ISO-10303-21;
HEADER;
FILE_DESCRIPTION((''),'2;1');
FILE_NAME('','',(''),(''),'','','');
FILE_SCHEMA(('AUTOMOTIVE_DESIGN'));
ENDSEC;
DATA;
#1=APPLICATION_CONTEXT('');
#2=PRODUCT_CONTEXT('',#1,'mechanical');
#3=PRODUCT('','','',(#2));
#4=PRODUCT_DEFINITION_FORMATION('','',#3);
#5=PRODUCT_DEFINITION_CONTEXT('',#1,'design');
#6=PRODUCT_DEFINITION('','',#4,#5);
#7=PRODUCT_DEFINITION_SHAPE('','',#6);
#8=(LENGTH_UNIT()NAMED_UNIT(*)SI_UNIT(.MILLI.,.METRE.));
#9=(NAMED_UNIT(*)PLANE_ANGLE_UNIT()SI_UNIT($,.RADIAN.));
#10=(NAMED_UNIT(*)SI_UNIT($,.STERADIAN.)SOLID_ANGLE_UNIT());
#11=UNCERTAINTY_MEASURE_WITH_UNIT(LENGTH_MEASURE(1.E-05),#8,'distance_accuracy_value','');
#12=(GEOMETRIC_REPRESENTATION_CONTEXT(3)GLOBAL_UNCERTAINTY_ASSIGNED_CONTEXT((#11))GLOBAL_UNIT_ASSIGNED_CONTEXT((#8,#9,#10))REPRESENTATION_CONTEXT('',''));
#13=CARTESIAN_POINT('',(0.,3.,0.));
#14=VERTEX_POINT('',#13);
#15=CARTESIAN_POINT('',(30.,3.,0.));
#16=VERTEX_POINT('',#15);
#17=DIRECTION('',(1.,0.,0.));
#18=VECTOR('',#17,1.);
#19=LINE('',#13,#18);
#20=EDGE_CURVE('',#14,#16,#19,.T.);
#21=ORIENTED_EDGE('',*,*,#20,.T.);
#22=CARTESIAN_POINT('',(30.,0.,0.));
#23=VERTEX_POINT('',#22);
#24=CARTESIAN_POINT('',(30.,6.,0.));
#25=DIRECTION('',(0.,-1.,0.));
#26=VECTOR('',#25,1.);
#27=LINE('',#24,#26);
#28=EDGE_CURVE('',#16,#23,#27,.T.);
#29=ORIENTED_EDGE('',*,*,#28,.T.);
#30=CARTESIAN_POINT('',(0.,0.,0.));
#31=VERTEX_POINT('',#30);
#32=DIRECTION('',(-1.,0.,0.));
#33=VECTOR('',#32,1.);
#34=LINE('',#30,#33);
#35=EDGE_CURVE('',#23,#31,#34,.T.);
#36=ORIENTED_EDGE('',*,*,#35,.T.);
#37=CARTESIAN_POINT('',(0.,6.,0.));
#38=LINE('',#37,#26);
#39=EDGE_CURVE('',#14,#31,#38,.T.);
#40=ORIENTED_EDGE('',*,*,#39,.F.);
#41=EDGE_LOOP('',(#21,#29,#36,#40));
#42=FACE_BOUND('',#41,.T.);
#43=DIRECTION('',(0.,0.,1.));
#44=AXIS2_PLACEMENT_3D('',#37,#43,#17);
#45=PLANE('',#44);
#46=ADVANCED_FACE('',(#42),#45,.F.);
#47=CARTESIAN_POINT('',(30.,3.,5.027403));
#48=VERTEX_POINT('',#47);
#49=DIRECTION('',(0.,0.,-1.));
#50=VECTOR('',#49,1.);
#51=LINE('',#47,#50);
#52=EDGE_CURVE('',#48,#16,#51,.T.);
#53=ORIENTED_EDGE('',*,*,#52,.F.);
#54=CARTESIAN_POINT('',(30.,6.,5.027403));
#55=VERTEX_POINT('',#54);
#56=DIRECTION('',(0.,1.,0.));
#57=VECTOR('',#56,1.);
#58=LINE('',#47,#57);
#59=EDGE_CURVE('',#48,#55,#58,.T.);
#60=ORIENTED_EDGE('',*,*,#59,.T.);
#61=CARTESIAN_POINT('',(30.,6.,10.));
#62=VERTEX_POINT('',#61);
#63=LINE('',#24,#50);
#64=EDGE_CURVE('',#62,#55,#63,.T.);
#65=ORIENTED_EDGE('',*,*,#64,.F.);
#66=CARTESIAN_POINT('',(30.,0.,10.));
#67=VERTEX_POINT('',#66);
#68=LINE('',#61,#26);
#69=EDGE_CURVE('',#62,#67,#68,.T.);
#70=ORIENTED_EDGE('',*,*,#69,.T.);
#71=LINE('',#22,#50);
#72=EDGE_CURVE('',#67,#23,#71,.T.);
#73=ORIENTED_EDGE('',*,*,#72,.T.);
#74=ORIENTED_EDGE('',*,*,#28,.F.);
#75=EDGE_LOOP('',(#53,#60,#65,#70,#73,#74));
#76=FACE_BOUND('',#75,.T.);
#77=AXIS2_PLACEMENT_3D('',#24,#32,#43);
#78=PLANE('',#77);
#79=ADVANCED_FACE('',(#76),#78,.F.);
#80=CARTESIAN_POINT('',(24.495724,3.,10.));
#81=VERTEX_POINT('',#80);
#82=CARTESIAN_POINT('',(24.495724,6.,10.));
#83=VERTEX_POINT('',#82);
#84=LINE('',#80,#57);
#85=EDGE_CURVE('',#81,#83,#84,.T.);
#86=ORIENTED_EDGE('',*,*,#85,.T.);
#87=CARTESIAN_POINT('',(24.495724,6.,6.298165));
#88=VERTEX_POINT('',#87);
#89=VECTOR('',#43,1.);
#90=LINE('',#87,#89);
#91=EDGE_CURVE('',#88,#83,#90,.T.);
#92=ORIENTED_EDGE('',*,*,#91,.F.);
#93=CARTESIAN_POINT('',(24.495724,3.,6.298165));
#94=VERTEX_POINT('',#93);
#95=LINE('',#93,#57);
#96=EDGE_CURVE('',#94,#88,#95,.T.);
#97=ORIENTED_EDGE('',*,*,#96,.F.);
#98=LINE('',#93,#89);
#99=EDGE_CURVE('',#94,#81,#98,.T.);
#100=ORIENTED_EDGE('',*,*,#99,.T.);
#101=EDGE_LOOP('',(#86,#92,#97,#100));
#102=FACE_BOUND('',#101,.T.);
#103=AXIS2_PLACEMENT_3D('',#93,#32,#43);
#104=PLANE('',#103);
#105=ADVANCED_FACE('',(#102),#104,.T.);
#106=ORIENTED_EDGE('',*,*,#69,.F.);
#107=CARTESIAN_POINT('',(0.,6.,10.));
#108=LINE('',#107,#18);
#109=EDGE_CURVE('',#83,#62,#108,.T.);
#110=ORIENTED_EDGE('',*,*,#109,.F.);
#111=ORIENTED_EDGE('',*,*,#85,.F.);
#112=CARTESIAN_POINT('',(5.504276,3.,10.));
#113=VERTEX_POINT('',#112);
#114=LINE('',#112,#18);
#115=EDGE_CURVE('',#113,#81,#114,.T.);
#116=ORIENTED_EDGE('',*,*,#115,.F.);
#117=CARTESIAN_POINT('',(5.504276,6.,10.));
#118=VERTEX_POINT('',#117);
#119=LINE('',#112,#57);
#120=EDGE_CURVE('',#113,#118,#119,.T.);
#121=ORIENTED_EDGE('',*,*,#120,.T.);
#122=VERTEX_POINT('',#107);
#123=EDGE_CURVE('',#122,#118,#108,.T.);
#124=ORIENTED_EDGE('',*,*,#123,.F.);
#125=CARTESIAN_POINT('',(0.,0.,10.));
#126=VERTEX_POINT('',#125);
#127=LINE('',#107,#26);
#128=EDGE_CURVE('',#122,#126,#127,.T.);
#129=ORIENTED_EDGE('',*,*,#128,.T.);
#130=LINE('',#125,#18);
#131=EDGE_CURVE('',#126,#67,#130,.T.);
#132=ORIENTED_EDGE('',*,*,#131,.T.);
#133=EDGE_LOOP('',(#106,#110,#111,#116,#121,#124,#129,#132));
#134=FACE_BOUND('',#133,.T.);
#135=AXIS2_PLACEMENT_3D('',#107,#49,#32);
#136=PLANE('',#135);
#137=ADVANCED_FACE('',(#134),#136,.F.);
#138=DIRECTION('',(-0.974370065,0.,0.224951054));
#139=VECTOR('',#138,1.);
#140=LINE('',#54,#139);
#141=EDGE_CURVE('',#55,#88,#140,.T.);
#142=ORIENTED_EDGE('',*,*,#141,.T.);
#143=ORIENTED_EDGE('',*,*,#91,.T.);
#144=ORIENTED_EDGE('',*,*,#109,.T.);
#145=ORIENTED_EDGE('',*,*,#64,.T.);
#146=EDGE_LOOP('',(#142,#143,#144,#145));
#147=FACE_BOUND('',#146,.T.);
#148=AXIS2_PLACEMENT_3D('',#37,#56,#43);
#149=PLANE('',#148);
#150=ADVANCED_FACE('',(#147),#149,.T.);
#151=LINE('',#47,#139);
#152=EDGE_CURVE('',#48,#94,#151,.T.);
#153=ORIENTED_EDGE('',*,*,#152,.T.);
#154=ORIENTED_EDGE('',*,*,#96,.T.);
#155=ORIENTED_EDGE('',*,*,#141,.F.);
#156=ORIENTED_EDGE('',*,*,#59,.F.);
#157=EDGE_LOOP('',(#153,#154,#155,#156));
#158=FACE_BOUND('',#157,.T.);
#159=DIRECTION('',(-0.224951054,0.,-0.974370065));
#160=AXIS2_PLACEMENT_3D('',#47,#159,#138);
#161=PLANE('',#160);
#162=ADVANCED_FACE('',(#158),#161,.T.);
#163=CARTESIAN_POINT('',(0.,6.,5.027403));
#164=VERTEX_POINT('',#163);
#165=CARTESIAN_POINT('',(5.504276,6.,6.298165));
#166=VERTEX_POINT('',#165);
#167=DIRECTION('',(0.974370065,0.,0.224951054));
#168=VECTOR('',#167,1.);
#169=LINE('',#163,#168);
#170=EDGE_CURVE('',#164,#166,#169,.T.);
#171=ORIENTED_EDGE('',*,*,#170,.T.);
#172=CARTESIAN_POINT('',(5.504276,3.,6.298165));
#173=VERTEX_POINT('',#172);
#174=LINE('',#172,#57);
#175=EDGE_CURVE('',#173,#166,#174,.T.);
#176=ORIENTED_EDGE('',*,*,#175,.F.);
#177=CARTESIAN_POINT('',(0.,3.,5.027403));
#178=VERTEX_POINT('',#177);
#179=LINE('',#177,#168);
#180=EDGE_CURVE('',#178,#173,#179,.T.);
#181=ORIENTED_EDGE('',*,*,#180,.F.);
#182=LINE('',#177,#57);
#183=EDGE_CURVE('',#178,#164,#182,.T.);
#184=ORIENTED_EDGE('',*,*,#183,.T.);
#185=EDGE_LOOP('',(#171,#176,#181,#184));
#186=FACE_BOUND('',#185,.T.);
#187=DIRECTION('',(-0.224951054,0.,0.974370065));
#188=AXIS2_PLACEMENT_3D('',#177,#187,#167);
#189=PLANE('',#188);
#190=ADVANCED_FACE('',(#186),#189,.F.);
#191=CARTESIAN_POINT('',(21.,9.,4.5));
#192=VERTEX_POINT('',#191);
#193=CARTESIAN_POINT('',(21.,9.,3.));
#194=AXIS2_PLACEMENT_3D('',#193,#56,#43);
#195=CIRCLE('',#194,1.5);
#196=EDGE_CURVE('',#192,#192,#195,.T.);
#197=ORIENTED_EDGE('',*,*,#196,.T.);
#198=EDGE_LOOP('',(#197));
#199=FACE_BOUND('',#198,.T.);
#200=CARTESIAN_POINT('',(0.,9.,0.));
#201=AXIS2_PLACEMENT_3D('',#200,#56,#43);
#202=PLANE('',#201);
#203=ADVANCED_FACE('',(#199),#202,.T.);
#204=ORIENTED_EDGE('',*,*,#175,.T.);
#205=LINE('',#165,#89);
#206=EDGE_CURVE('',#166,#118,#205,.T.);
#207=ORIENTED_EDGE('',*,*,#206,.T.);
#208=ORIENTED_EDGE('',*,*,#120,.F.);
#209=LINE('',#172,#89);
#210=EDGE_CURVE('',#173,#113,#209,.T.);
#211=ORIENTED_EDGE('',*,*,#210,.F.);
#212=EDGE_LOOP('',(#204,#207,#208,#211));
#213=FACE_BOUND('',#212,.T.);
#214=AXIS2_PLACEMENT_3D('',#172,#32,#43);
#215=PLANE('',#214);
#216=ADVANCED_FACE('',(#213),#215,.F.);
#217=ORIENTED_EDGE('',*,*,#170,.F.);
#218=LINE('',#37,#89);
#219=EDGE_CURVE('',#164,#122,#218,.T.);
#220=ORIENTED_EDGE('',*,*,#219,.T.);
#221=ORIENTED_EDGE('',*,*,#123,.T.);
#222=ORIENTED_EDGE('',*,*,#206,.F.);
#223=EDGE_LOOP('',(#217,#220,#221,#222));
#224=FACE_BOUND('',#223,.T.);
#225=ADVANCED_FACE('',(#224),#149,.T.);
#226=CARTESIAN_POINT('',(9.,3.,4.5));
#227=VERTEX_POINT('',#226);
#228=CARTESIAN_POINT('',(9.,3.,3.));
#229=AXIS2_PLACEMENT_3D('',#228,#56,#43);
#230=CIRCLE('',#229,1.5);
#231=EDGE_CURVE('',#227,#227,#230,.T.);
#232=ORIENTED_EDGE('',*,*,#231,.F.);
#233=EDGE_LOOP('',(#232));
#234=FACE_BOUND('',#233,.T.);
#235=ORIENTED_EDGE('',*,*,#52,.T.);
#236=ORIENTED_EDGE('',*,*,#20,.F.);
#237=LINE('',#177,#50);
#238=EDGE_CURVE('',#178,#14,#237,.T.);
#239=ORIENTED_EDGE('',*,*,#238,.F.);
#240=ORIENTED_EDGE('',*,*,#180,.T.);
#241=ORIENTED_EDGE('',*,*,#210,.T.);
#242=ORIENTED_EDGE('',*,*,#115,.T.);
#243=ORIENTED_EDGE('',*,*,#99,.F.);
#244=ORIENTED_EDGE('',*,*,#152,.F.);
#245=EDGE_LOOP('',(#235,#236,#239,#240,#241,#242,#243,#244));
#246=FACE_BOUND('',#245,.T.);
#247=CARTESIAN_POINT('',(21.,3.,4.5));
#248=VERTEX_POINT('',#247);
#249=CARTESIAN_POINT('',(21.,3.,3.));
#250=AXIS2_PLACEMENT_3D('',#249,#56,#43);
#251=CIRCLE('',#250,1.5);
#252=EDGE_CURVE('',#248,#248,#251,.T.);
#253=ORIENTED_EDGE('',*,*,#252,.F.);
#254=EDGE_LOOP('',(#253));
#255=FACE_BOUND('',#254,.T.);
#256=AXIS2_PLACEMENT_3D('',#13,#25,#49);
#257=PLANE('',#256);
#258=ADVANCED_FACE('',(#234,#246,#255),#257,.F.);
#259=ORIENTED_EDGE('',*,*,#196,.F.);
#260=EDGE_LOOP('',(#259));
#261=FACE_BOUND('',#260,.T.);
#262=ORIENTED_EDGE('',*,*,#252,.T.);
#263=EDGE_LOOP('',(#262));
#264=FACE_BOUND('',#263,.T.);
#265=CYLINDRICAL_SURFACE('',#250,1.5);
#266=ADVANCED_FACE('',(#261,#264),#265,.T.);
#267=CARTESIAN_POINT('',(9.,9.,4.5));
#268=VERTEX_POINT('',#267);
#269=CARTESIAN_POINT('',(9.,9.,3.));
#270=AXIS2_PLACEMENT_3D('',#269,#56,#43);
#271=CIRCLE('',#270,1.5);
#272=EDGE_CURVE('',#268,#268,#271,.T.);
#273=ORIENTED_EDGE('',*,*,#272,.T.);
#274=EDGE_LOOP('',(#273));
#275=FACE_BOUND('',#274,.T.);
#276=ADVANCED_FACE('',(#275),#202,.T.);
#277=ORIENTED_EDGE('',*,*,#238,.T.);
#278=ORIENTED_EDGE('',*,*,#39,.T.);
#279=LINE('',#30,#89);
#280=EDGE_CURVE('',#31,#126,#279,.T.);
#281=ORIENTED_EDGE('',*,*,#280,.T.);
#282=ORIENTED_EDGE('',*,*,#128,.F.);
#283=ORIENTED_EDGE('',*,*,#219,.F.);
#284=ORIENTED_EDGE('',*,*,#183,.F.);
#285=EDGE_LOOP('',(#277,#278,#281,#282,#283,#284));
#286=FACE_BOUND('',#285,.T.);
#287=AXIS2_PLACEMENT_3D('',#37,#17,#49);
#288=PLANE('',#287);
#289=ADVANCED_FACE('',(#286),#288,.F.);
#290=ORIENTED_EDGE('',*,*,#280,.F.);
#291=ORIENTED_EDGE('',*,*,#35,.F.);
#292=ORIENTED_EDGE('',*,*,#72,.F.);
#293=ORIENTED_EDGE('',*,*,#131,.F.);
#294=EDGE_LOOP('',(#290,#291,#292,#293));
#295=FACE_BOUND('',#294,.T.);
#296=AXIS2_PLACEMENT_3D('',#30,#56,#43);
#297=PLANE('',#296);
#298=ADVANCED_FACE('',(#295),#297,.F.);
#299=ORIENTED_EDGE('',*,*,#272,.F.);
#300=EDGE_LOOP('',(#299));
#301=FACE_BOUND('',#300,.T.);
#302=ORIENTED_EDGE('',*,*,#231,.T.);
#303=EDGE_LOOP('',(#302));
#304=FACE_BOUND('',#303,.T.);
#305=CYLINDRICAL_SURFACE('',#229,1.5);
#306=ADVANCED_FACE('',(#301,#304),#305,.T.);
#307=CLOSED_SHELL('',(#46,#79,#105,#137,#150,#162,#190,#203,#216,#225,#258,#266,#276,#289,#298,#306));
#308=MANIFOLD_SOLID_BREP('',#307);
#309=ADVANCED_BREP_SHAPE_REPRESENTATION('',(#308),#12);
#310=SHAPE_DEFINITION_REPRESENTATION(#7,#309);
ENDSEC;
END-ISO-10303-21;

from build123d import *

# Parameters (mm, degrees)
SKETCH2_W             = 30
SKETCH2_H             = 10
BOSS_EXTRUDE2_DEPTH   = 6
CUT_EXTRUDE1_DEPTH    = 3
SKETCH4_4_R           = 1.5
BOSS_EXTRUDE4_DEPTH   = 3
BOSS_EXTRUDE4_2_DEPTH = 3
SKETCH4_5_R           = 1.5
BOSS_EXTRUDE5_DEPTH   = 3


with BuildPart() as part:
    # Sketch2 → Boss-Extrude2 (new body)
    with BuildSketch(Plane(origin=(0, 0, 0), x_dir=(1, 0, 0), z_dir=(0, 1, 0))):
        with Locations((15, -5)):
            Rectangle(SKETCH2_W, SKETCH2_H)
    extrude(amount=BOSS_EXTRUDE2_DEPTH)

    # Sketch4 → Cut-Extrude1 (cut)
    with BuildSketch(Plane(origin=(0, 6, 0), x_dir=(1, 0, 0), z_dir=(0, 1, 0))):
        Polygon((0, -5.027402711), (5.504275855, -6.298164921), (5.504275855, -10), (24.495724145, -10), (24.495724145, -6.298164921), (30, -5.027402711), (30, 0), (0, 0), align=None)
    extrude(amount=-CUT_EXTRUDE1_DEPTH, mode=Mode.SUBTRACT)



with BuildPart() as body_2:
    # Sketch4<4> → Boss-Extrude4 (new body)
    with BuildSketch(Plane(origin=(0, 6, 0), x_dir=(1, 0, 0), z_dir=(0, 1, 0))):
        with Locations((9, -3)):
            Circle(SKETCH4_4_R)
    extrude(amount=BOSS_EXTRUDE4_DEPTH)


with BuildPart() as body_3:
    # Sketch4<4> → Boss-Extrude4 2 (new body)
    with BuildSketch(Plane(origin=(0, 6, 0), x_dir=(1, 0, 0), z_dir=(0, 1, 0))):
        with Locations((21, -3)):
            Circle(SKETCH4_4_R)
    extrude(amount=BOSS_EXTRUDE4_2_DEPTH)


with BuildPart() as part_1:
    add(part.part)

    add(body_2.part)  # Boss-Extrude5 merges body 2

    add(body_3.part)  # Boss-Extrude5 merges body 3
    # Sketch4<5> → Boss-Extrude5 (add)
    with BuildSketch(Plane(origin=(0, 6, 0), x_dir=(1, 0, 0), z_dir=(0, 1, 0))):
        with Locations((9, -3)):
            Circle(SKETCH4_5_R)
        with Locations((21, -3)):
            Circle(SKETCH4_5_R)
    extrude(amount=-BOSS_EXTRUDE5_DEPTH)


solid = part_1.part
